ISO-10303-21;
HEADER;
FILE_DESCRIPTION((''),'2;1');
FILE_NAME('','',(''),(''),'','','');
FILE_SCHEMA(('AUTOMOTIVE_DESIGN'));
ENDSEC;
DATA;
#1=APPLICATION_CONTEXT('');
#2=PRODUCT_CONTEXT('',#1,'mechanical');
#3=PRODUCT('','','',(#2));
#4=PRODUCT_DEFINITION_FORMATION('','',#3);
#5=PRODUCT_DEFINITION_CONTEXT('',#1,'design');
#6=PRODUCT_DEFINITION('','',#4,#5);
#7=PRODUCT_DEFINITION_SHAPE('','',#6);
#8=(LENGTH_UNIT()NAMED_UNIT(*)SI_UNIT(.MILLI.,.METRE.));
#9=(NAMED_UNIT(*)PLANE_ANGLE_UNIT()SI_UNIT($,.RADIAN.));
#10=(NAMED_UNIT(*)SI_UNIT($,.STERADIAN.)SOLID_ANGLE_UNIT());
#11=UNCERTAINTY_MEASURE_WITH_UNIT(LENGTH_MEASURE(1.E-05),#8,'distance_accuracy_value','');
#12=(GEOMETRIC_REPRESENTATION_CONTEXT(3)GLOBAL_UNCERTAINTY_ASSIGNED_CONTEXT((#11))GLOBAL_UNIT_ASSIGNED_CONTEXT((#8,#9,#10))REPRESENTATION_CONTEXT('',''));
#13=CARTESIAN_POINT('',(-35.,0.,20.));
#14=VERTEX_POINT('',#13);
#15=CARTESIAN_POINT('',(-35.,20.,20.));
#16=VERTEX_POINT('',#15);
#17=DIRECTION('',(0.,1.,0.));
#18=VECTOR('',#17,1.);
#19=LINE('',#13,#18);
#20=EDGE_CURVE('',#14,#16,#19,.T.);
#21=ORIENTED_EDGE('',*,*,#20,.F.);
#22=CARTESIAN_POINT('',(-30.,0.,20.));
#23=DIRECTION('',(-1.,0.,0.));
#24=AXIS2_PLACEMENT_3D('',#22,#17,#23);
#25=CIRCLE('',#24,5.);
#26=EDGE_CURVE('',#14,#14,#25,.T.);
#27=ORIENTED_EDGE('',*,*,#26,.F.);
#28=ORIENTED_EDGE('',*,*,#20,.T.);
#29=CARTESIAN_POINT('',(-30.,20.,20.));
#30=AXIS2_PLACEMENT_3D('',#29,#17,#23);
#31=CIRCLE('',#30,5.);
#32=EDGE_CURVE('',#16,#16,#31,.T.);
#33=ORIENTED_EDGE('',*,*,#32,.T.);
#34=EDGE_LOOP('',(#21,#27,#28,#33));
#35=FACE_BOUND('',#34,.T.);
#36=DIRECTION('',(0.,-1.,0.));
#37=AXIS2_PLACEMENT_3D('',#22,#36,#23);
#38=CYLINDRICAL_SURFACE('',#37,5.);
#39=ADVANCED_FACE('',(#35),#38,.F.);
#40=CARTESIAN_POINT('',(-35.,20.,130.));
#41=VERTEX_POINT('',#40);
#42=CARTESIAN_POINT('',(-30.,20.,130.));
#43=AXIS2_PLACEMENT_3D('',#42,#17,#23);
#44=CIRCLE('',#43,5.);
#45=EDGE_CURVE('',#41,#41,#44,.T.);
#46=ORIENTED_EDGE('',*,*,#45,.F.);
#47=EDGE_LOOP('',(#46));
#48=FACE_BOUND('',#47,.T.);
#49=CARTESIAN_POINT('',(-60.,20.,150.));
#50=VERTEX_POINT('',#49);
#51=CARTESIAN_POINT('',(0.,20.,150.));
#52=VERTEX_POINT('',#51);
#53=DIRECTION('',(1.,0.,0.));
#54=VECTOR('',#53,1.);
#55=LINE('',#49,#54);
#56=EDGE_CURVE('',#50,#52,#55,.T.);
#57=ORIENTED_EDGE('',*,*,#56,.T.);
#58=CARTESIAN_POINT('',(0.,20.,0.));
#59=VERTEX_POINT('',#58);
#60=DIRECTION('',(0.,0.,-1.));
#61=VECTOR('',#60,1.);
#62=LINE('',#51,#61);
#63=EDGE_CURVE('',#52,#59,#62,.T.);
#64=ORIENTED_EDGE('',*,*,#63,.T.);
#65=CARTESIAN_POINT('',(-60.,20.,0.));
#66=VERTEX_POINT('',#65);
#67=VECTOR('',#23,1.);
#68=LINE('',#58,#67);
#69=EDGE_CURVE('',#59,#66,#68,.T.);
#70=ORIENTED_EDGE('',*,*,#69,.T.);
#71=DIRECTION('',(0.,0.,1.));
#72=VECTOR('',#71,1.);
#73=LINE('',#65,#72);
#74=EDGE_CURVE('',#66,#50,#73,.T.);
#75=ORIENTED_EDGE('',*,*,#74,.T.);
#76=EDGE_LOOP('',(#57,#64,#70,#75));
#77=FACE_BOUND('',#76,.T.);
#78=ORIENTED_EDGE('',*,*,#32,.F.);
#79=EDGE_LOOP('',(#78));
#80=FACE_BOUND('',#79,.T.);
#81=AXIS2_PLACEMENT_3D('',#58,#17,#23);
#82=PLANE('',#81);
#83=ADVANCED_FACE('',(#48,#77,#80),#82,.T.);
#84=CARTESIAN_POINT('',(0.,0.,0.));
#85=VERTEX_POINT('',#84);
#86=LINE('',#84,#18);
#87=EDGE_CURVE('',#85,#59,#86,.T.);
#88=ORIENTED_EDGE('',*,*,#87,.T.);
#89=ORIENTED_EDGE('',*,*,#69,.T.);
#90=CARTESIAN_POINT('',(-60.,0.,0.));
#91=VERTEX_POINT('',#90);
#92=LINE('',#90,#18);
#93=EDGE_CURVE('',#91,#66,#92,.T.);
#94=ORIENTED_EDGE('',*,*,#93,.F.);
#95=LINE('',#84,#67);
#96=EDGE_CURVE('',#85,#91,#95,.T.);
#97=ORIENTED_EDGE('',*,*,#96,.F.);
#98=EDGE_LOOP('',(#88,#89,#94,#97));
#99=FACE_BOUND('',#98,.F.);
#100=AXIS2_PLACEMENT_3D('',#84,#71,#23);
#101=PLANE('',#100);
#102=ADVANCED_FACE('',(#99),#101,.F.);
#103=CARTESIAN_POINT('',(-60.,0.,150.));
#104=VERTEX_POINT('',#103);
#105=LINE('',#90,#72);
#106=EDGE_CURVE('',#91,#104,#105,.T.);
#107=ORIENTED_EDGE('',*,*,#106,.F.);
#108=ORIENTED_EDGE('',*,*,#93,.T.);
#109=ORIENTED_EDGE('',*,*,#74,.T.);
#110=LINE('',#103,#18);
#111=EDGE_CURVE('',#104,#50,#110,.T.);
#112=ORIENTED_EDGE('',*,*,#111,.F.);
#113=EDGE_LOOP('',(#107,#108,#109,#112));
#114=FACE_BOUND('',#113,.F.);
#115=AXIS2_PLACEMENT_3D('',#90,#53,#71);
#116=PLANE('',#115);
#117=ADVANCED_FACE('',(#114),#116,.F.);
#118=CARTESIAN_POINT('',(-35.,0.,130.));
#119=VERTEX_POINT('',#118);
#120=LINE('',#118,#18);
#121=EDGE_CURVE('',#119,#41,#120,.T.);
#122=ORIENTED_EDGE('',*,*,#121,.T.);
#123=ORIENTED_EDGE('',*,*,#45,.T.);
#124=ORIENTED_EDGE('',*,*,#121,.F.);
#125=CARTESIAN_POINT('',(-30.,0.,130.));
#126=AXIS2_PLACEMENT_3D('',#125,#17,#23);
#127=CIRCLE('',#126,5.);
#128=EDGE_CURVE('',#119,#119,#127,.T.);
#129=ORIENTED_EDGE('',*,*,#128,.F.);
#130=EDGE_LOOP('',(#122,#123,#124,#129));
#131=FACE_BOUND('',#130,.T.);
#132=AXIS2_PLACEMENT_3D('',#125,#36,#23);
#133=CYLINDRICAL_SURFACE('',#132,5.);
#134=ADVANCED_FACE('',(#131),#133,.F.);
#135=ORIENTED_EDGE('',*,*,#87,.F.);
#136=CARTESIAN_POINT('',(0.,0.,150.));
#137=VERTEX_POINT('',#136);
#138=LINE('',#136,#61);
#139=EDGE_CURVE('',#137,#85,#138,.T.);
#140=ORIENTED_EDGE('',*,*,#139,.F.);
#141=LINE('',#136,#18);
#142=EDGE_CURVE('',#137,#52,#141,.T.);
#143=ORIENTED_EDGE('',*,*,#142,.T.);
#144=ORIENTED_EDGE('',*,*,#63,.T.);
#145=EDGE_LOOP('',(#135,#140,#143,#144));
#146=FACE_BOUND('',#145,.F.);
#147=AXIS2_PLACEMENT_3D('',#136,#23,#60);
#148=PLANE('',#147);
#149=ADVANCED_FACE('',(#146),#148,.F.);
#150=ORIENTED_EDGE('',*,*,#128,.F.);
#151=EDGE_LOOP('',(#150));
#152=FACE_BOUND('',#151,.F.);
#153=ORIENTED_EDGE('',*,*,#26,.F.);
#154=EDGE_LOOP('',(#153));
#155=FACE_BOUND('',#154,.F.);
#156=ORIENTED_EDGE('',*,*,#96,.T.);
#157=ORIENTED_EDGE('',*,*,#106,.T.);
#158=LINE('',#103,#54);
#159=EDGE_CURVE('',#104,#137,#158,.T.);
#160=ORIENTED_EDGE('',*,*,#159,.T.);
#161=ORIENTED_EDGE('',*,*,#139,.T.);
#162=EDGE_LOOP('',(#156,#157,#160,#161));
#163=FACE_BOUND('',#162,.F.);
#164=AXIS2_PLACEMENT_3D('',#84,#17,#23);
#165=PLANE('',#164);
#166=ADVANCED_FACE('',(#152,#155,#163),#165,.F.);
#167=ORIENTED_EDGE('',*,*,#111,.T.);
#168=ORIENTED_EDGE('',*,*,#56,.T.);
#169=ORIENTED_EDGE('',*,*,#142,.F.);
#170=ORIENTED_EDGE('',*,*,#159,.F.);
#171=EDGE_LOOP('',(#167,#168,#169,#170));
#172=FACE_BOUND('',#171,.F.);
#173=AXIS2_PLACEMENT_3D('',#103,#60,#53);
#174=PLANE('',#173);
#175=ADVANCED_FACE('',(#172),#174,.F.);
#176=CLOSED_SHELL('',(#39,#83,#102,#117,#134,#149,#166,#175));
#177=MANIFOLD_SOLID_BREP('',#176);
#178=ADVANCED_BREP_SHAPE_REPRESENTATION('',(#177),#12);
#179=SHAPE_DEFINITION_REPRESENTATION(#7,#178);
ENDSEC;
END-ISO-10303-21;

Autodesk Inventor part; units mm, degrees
ref_plane "YZ Plane" through (0, 0, 0) normal (1, 0, 0) x (0, 1, 0)
ref_plane "XZ Plane" through (0, 0, 0) normal (0, 1, 0) x (-1, 0, 0)
ref_plane "XY Plane" through (0, 0, 0) normal (0, 0, 1) x (1, 0, 0)
sketch "Block1" plane through (0, 0, 0) normal (0, 0, 1) x (1, 0, 0)
  line L0 (-60.22, 0.22) -> (-60.22, -150.22)
  line L1 (-60.22, -150.22) -> (0.22, -150.22)
  line L2 (0.22, -150.22) -> (0.22, 0.22)
  line L3 (0.22, 0.22) -> (-60.22, 0.22)
  circle A0 centre (-30, -20) radius 5.22
  circle A1 centre (-30, -130) radius 5.22
  point P0 (-30, -75)
sketch "Sketch1" plane through (0, 0, 0) normal (0, 1, 0) x (-1, 0, 0)
  line L0 (0, 0) -> (60, 0)
  line L1 (60, 0) -> (60, 150)
  line L2 (60, 150) -> (0, 150)
  line L3 (0, 150) -> (0, 0)
  circle A0 centre (30, 130) radius 5
  circle A1 centre (30, 20) radius 5
  dimension "d0" = 60
  dimension "d1" = 150
  dimension "d4" = 10
  dimension "d5" = 10
  dimension "d6" = 20
  dimension "d7" = 20
  dimension "d8" = 30
  dimension "d11" = 30
extrude "Extrusion2" add sketch "Sketch1" along normal blind 20
sketch "Sketch2" plane through (0, 20, 0) normal (0, 1, 0) x (1, 0, 0)
  line L0 (0, -150) -> (0, 0) projected
  line L1 (-60, -150) -> (0, -150) projected
  line L2 (-60, 0) -> (-60, -150) projected
  circle A0 centre (-30, -130) radius 5 projected
  circle A1 centre (-30, -20) radius 5 projected
  line L3 (0, 0) -> (-60, 0) projected
sketch "DXF" plane through (0, 0, 0) normal (0, 1, 0) x (-1, 0, 0)
  point P0 (0, 0)
equation "\"d8\" = 0.5 * d0"
equation "\"d11\" = 0.5 * d0"
properties part number "holderBlock"
